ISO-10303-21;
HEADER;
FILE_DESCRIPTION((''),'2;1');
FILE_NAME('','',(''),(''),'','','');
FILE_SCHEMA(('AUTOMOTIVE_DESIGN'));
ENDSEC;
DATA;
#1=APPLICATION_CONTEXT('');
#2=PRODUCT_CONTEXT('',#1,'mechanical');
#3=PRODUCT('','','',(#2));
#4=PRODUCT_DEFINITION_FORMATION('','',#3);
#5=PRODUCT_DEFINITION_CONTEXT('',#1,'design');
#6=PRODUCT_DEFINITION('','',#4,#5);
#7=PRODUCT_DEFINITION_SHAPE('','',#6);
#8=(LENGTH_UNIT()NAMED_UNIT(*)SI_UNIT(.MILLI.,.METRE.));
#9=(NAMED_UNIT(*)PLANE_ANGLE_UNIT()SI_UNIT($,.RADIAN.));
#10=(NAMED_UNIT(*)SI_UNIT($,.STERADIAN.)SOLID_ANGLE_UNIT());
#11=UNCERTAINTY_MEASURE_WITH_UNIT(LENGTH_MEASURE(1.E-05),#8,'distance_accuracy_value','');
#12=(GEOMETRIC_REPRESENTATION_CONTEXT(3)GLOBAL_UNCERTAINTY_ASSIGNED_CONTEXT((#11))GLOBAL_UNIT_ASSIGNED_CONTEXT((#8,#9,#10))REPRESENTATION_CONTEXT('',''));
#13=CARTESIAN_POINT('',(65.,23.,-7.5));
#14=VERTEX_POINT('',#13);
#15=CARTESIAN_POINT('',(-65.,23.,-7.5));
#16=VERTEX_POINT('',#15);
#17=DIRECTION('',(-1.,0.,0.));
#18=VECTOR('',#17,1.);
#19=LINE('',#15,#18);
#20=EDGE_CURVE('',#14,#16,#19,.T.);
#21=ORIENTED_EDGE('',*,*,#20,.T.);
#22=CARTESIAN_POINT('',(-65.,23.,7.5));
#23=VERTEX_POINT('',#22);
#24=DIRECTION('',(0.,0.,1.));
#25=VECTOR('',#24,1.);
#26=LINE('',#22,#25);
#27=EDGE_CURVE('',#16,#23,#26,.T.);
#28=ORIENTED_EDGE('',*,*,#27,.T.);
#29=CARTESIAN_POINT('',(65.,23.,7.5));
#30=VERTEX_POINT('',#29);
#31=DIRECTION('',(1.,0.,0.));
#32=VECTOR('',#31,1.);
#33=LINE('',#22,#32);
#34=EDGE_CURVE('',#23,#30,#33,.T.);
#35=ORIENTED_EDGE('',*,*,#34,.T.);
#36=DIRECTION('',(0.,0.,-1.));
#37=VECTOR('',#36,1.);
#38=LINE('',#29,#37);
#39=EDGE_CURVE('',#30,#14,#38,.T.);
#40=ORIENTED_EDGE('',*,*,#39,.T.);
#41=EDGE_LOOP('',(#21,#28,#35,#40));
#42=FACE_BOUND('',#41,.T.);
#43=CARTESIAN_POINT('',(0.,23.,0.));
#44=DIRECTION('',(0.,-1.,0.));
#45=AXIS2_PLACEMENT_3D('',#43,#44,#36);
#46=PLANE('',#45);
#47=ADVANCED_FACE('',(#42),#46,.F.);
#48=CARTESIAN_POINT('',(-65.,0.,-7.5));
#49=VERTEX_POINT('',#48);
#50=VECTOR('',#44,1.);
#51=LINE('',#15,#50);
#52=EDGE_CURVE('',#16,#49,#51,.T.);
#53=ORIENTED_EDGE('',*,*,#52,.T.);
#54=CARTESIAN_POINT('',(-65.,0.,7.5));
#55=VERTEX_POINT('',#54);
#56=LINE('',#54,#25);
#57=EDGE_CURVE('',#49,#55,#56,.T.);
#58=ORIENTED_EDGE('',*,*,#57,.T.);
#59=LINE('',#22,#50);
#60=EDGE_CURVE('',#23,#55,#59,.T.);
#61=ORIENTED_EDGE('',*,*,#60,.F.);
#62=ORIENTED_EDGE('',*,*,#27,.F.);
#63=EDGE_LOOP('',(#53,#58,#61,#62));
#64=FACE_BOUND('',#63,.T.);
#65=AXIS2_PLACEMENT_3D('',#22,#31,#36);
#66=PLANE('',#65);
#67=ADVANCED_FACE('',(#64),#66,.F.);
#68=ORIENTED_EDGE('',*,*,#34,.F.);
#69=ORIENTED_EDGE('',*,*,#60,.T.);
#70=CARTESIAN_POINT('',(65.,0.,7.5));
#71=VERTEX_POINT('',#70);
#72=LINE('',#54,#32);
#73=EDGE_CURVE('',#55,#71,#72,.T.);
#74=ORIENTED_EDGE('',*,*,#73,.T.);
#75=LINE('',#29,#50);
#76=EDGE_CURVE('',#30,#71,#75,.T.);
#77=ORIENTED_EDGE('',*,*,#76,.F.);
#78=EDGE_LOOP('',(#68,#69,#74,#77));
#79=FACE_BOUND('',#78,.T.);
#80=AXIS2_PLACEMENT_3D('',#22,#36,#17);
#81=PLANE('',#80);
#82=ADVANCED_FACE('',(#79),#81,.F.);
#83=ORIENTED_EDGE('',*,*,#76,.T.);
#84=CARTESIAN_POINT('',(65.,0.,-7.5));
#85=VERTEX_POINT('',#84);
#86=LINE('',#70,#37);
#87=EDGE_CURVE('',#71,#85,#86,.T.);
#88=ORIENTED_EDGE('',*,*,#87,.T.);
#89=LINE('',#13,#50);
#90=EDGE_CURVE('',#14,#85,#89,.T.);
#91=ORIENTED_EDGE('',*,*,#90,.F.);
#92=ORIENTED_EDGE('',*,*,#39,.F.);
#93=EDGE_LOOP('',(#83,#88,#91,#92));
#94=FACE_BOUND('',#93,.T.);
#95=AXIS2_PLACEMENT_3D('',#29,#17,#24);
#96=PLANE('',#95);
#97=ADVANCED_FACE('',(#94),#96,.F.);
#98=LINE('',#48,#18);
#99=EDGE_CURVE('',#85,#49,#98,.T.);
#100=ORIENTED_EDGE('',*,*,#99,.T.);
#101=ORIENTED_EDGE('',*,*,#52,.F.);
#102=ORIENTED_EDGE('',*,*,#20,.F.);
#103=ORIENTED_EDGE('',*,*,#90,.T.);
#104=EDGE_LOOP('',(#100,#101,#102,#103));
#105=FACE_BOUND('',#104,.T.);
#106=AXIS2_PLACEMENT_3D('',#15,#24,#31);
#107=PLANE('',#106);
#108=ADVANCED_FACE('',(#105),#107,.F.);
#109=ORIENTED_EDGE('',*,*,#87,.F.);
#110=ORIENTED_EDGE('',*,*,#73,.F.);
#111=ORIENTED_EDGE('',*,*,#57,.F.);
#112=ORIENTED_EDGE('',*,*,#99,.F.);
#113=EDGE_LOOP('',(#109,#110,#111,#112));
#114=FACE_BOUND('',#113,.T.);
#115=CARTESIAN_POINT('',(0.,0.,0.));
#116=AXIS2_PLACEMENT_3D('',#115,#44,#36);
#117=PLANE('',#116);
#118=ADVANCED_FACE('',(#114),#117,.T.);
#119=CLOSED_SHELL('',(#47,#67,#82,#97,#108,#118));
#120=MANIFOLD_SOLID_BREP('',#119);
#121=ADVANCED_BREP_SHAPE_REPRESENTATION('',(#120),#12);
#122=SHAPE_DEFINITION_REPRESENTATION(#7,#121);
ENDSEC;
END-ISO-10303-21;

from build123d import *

# Parameters (mm, degrees)
SKETCH2_W           = 130
SKETCH2_H           = 15
BOSS_EXTRUDE1_DEPTH = 23


with BuildPart() as part:
    # Sketch2 → Boss-Extrude1 (new body)
    with BuildSketch(Plane(origin=(0, 0, 0), x_dir=(1, 0, 0), z_dir=(0, 1, 0))):
        Rectangle(SKETCH2_W, SKETCH2_H)
    extrude(amount=BOSS_EXTRUDE1_DEPTH)


solid = part.part
